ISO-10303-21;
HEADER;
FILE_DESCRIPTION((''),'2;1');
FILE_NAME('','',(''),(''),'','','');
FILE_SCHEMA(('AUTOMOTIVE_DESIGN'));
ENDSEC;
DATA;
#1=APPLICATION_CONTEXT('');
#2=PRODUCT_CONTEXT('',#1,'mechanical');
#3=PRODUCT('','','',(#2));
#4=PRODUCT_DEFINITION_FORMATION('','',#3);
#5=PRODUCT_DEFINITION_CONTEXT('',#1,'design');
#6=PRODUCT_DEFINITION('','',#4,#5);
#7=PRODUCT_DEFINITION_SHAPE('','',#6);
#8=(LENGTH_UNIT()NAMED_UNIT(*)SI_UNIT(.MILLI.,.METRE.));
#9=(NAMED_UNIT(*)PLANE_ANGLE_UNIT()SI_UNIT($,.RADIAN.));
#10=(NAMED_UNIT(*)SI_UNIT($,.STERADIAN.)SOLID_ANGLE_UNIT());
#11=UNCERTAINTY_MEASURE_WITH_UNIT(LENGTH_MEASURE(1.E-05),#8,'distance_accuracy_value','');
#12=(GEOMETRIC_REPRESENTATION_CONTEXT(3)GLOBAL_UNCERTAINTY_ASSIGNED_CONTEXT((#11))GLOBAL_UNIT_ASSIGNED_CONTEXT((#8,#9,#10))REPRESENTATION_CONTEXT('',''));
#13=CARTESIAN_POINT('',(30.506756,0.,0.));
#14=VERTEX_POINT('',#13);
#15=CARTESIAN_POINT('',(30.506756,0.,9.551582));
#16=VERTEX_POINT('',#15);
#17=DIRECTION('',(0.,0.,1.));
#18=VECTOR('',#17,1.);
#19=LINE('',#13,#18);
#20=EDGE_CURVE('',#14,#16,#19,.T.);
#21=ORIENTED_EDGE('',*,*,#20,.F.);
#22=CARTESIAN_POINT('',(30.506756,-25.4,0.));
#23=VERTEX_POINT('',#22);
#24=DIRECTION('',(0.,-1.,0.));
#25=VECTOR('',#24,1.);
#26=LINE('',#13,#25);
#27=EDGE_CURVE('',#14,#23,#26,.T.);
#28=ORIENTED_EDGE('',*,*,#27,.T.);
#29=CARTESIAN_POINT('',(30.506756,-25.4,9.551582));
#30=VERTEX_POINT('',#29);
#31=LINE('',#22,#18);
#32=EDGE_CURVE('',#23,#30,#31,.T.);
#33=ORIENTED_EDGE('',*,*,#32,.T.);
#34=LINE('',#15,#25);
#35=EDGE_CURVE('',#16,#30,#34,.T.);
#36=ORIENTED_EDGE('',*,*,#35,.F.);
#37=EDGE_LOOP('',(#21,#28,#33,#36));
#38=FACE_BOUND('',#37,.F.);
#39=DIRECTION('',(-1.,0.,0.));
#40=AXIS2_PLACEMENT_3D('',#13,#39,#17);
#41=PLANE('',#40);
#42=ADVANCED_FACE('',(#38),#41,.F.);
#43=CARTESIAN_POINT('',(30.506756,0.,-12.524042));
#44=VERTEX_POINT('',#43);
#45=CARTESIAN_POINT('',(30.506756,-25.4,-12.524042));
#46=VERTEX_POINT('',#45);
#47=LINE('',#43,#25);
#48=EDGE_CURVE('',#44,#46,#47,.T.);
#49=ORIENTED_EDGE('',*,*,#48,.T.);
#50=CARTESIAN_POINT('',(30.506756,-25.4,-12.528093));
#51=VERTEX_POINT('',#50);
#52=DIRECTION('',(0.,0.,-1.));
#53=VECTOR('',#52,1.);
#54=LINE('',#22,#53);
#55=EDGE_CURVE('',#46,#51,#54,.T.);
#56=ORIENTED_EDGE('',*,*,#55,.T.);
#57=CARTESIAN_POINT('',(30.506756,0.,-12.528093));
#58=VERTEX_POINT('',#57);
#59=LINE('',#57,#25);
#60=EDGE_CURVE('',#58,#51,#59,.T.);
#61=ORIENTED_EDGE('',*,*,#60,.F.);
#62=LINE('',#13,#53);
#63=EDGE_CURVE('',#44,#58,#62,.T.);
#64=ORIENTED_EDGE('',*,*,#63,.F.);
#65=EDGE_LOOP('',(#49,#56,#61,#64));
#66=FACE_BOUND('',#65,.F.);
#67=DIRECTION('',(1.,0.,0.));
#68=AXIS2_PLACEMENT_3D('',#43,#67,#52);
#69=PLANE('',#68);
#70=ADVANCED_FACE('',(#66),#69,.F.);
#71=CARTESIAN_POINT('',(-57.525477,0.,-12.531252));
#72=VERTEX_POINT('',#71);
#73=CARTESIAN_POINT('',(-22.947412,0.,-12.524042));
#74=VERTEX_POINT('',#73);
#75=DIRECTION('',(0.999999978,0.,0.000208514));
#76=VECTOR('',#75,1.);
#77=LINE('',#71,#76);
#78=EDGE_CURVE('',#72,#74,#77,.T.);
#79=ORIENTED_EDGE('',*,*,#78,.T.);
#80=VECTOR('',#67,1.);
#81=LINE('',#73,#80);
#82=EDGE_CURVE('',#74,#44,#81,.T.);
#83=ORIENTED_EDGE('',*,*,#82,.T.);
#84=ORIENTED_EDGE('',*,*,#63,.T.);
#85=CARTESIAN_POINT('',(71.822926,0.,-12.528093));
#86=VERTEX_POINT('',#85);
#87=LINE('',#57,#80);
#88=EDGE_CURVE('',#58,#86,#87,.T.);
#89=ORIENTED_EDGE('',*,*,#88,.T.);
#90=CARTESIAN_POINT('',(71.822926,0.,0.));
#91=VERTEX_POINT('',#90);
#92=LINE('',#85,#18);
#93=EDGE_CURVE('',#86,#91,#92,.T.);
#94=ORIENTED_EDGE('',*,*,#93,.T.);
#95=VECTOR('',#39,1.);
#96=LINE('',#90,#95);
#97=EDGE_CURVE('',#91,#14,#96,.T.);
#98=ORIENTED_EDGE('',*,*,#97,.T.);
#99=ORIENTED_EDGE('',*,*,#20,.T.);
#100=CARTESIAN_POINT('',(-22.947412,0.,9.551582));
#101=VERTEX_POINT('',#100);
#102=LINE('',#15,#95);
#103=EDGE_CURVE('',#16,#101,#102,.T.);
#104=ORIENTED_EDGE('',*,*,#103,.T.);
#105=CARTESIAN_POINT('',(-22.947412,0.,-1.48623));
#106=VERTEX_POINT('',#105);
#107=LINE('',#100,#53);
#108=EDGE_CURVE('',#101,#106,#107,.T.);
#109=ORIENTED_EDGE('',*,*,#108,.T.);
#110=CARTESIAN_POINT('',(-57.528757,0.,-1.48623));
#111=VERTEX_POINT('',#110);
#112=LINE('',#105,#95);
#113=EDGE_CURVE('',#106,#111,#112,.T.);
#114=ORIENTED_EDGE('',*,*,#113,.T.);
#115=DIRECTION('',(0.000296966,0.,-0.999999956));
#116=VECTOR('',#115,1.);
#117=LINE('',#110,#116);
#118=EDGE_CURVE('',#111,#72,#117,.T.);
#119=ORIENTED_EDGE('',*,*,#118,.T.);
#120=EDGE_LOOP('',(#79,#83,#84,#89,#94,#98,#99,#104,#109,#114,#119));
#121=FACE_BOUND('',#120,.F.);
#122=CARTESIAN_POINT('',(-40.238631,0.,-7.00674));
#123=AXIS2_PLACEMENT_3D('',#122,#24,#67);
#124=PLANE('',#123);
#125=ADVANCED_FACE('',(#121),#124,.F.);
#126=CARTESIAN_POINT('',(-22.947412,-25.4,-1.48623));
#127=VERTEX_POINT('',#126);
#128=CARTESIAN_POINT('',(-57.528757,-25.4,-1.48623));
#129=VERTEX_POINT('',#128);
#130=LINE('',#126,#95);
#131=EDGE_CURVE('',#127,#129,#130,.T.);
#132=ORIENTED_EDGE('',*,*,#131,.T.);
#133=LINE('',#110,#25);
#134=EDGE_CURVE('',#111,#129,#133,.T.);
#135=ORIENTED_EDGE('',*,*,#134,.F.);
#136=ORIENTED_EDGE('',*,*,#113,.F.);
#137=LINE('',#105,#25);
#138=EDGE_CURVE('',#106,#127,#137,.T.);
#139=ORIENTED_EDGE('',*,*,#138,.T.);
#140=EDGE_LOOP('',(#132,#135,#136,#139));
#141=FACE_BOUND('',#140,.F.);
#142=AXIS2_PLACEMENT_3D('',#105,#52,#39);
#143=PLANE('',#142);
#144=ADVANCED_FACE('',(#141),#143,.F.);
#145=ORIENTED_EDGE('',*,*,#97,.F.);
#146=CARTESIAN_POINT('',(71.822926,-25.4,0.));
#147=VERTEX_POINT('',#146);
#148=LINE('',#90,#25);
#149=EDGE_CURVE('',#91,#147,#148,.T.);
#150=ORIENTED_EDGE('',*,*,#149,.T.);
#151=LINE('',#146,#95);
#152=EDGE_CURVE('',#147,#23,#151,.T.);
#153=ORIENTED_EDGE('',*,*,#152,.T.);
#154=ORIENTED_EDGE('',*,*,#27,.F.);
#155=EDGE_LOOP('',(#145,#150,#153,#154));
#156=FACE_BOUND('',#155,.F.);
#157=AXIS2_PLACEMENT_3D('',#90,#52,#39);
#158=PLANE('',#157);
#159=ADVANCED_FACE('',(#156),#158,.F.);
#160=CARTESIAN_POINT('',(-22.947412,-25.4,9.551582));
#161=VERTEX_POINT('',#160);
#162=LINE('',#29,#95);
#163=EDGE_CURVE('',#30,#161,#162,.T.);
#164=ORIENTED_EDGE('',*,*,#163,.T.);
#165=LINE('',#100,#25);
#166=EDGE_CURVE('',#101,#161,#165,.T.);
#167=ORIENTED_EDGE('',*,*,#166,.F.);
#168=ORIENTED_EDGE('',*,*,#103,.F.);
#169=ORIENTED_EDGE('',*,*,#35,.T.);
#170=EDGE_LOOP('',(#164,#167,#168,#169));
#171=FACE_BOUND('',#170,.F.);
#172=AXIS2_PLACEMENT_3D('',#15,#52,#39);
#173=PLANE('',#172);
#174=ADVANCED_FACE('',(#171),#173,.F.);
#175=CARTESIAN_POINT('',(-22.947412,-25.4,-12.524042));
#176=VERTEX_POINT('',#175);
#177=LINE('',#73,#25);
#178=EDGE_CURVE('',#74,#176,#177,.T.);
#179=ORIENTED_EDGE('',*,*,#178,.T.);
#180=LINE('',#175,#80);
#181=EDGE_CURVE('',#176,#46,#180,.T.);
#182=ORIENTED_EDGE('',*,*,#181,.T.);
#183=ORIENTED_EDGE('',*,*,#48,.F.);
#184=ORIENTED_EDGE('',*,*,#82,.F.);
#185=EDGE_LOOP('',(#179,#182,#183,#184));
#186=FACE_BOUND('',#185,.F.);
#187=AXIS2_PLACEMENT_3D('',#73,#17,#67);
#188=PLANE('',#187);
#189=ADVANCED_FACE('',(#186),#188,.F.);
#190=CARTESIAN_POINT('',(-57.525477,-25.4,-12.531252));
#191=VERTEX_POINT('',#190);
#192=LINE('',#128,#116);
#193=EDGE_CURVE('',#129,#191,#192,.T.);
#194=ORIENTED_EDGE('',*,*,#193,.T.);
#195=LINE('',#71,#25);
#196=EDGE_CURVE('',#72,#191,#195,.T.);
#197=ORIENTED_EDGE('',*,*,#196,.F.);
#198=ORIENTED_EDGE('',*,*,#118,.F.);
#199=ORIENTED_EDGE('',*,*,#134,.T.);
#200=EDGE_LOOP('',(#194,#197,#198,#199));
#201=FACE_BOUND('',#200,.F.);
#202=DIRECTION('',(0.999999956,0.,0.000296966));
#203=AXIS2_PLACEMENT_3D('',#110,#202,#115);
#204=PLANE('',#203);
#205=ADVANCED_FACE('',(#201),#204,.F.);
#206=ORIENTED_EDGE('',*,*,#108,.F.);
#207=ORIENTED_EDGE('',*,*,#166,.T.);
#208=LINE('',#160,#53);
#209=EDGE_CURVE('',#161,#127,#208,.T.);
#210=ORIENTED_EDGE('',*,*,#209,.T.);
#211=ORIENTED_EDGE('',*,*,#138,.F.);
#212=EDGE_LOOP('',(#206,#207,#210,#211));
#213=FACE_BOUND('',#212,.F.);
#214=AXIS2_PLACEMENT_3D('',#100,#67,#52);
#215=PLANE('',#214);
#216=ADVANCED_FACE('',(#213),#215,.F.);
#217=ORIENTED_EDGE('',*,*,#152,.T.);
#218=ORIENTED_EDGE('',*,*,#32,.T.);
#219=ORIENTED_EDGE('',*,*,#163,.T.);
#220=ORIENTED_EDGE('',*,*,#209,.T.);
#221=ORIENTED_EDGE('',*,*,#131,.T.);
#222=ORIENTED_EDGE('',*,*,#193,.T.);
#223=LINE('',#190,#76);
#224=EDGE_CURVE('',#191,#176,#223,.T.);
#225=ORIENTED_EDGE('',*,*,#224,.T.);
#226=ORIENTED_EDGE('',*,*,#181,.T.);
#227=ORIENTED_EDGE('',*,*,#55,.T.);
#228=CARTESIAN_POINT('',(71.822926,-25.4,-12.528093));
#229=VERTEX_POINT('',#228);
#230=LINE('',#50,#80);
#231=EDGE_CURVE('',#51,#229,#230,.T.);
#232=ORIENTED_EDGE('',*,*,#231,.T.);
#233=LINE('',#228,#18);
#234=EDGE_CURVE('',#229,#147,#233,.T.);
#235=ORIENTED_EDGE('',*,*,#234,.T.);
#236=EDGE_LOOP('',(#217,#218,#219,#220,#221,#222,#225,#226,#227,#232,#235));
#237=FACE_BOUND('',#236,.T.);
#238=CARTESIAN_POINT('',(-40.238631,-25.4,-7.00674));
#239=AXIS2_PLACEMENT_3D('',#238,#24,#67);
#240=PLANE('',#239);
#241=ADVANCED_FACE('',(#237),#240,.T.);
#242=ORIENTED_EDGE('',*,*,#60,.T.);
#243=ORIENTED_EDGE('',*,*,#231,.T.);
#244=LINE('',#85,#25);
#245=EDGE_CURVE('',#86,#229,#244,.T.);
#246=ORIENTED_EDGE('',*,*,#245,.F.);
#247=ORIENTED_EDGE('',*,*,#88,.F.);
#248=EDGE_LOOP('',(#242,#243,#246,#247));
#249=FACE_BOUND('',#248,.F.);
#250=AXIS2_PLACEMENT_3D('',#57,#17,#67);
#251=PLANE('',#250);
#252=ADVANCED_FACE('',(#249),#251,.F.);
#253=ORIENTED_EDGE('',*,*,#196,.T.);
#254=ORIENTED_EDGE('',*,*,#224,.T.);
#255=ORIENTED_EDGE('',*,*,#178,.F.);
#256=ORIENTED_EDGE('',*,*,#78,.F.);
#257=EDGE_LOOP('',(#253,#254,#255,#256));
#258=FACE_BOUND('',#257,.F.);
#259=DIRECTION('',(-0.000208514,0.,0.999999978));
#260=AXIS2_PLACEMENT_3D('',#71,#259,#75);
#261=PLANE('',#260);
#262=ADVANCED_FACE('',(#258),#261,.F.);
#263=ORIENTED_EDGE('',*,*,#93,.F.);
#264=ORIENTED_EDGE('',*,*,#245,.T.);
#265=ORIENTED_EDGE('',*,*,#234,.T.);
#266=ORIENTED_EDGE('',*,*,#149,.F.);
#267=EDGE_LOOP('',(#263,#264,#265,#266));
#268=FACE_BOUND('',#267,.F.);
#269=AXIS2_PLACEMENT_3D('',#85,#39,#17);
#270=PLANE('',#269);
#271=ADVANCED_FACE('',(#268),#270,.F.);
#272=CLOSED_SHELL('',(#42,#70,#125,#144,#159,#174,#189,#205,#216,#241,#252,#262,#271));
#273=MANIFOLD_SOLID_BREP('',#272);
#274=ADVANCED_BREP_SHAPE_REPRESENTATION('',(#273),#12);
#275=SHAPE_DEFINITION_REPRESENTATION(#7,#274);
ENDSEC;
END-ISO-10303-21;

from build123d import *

# Parameters (mm, degrees)
F1_DEPTH = 25.4


with BuildPart() as f1:
    # F0 (on Front) → F1 (new body)
    with BuildSketch(Plane.XZ):
        Polygon((-22.947412, -12.524042), (-22.947412, -1.48623), (-57.528757, -1.48623), (-57.525477, -12.531252), align=None)
        Polygon((71.822926, 0), (30.506756, 0), (30.506756, -12.524042), (30.506756, -12.528093), (71.822926, -12.528093), align=None)
        Polygon((30.506756, 9.551582), (-22.947412, 9.551582), (-22.947412, -1.48623), (-22.947412, -12.524042), (30.506756, -12.524042), (30.506756, 0), align=None)
    extrude(amount=F1_DEPTH)


solid = f1.part
